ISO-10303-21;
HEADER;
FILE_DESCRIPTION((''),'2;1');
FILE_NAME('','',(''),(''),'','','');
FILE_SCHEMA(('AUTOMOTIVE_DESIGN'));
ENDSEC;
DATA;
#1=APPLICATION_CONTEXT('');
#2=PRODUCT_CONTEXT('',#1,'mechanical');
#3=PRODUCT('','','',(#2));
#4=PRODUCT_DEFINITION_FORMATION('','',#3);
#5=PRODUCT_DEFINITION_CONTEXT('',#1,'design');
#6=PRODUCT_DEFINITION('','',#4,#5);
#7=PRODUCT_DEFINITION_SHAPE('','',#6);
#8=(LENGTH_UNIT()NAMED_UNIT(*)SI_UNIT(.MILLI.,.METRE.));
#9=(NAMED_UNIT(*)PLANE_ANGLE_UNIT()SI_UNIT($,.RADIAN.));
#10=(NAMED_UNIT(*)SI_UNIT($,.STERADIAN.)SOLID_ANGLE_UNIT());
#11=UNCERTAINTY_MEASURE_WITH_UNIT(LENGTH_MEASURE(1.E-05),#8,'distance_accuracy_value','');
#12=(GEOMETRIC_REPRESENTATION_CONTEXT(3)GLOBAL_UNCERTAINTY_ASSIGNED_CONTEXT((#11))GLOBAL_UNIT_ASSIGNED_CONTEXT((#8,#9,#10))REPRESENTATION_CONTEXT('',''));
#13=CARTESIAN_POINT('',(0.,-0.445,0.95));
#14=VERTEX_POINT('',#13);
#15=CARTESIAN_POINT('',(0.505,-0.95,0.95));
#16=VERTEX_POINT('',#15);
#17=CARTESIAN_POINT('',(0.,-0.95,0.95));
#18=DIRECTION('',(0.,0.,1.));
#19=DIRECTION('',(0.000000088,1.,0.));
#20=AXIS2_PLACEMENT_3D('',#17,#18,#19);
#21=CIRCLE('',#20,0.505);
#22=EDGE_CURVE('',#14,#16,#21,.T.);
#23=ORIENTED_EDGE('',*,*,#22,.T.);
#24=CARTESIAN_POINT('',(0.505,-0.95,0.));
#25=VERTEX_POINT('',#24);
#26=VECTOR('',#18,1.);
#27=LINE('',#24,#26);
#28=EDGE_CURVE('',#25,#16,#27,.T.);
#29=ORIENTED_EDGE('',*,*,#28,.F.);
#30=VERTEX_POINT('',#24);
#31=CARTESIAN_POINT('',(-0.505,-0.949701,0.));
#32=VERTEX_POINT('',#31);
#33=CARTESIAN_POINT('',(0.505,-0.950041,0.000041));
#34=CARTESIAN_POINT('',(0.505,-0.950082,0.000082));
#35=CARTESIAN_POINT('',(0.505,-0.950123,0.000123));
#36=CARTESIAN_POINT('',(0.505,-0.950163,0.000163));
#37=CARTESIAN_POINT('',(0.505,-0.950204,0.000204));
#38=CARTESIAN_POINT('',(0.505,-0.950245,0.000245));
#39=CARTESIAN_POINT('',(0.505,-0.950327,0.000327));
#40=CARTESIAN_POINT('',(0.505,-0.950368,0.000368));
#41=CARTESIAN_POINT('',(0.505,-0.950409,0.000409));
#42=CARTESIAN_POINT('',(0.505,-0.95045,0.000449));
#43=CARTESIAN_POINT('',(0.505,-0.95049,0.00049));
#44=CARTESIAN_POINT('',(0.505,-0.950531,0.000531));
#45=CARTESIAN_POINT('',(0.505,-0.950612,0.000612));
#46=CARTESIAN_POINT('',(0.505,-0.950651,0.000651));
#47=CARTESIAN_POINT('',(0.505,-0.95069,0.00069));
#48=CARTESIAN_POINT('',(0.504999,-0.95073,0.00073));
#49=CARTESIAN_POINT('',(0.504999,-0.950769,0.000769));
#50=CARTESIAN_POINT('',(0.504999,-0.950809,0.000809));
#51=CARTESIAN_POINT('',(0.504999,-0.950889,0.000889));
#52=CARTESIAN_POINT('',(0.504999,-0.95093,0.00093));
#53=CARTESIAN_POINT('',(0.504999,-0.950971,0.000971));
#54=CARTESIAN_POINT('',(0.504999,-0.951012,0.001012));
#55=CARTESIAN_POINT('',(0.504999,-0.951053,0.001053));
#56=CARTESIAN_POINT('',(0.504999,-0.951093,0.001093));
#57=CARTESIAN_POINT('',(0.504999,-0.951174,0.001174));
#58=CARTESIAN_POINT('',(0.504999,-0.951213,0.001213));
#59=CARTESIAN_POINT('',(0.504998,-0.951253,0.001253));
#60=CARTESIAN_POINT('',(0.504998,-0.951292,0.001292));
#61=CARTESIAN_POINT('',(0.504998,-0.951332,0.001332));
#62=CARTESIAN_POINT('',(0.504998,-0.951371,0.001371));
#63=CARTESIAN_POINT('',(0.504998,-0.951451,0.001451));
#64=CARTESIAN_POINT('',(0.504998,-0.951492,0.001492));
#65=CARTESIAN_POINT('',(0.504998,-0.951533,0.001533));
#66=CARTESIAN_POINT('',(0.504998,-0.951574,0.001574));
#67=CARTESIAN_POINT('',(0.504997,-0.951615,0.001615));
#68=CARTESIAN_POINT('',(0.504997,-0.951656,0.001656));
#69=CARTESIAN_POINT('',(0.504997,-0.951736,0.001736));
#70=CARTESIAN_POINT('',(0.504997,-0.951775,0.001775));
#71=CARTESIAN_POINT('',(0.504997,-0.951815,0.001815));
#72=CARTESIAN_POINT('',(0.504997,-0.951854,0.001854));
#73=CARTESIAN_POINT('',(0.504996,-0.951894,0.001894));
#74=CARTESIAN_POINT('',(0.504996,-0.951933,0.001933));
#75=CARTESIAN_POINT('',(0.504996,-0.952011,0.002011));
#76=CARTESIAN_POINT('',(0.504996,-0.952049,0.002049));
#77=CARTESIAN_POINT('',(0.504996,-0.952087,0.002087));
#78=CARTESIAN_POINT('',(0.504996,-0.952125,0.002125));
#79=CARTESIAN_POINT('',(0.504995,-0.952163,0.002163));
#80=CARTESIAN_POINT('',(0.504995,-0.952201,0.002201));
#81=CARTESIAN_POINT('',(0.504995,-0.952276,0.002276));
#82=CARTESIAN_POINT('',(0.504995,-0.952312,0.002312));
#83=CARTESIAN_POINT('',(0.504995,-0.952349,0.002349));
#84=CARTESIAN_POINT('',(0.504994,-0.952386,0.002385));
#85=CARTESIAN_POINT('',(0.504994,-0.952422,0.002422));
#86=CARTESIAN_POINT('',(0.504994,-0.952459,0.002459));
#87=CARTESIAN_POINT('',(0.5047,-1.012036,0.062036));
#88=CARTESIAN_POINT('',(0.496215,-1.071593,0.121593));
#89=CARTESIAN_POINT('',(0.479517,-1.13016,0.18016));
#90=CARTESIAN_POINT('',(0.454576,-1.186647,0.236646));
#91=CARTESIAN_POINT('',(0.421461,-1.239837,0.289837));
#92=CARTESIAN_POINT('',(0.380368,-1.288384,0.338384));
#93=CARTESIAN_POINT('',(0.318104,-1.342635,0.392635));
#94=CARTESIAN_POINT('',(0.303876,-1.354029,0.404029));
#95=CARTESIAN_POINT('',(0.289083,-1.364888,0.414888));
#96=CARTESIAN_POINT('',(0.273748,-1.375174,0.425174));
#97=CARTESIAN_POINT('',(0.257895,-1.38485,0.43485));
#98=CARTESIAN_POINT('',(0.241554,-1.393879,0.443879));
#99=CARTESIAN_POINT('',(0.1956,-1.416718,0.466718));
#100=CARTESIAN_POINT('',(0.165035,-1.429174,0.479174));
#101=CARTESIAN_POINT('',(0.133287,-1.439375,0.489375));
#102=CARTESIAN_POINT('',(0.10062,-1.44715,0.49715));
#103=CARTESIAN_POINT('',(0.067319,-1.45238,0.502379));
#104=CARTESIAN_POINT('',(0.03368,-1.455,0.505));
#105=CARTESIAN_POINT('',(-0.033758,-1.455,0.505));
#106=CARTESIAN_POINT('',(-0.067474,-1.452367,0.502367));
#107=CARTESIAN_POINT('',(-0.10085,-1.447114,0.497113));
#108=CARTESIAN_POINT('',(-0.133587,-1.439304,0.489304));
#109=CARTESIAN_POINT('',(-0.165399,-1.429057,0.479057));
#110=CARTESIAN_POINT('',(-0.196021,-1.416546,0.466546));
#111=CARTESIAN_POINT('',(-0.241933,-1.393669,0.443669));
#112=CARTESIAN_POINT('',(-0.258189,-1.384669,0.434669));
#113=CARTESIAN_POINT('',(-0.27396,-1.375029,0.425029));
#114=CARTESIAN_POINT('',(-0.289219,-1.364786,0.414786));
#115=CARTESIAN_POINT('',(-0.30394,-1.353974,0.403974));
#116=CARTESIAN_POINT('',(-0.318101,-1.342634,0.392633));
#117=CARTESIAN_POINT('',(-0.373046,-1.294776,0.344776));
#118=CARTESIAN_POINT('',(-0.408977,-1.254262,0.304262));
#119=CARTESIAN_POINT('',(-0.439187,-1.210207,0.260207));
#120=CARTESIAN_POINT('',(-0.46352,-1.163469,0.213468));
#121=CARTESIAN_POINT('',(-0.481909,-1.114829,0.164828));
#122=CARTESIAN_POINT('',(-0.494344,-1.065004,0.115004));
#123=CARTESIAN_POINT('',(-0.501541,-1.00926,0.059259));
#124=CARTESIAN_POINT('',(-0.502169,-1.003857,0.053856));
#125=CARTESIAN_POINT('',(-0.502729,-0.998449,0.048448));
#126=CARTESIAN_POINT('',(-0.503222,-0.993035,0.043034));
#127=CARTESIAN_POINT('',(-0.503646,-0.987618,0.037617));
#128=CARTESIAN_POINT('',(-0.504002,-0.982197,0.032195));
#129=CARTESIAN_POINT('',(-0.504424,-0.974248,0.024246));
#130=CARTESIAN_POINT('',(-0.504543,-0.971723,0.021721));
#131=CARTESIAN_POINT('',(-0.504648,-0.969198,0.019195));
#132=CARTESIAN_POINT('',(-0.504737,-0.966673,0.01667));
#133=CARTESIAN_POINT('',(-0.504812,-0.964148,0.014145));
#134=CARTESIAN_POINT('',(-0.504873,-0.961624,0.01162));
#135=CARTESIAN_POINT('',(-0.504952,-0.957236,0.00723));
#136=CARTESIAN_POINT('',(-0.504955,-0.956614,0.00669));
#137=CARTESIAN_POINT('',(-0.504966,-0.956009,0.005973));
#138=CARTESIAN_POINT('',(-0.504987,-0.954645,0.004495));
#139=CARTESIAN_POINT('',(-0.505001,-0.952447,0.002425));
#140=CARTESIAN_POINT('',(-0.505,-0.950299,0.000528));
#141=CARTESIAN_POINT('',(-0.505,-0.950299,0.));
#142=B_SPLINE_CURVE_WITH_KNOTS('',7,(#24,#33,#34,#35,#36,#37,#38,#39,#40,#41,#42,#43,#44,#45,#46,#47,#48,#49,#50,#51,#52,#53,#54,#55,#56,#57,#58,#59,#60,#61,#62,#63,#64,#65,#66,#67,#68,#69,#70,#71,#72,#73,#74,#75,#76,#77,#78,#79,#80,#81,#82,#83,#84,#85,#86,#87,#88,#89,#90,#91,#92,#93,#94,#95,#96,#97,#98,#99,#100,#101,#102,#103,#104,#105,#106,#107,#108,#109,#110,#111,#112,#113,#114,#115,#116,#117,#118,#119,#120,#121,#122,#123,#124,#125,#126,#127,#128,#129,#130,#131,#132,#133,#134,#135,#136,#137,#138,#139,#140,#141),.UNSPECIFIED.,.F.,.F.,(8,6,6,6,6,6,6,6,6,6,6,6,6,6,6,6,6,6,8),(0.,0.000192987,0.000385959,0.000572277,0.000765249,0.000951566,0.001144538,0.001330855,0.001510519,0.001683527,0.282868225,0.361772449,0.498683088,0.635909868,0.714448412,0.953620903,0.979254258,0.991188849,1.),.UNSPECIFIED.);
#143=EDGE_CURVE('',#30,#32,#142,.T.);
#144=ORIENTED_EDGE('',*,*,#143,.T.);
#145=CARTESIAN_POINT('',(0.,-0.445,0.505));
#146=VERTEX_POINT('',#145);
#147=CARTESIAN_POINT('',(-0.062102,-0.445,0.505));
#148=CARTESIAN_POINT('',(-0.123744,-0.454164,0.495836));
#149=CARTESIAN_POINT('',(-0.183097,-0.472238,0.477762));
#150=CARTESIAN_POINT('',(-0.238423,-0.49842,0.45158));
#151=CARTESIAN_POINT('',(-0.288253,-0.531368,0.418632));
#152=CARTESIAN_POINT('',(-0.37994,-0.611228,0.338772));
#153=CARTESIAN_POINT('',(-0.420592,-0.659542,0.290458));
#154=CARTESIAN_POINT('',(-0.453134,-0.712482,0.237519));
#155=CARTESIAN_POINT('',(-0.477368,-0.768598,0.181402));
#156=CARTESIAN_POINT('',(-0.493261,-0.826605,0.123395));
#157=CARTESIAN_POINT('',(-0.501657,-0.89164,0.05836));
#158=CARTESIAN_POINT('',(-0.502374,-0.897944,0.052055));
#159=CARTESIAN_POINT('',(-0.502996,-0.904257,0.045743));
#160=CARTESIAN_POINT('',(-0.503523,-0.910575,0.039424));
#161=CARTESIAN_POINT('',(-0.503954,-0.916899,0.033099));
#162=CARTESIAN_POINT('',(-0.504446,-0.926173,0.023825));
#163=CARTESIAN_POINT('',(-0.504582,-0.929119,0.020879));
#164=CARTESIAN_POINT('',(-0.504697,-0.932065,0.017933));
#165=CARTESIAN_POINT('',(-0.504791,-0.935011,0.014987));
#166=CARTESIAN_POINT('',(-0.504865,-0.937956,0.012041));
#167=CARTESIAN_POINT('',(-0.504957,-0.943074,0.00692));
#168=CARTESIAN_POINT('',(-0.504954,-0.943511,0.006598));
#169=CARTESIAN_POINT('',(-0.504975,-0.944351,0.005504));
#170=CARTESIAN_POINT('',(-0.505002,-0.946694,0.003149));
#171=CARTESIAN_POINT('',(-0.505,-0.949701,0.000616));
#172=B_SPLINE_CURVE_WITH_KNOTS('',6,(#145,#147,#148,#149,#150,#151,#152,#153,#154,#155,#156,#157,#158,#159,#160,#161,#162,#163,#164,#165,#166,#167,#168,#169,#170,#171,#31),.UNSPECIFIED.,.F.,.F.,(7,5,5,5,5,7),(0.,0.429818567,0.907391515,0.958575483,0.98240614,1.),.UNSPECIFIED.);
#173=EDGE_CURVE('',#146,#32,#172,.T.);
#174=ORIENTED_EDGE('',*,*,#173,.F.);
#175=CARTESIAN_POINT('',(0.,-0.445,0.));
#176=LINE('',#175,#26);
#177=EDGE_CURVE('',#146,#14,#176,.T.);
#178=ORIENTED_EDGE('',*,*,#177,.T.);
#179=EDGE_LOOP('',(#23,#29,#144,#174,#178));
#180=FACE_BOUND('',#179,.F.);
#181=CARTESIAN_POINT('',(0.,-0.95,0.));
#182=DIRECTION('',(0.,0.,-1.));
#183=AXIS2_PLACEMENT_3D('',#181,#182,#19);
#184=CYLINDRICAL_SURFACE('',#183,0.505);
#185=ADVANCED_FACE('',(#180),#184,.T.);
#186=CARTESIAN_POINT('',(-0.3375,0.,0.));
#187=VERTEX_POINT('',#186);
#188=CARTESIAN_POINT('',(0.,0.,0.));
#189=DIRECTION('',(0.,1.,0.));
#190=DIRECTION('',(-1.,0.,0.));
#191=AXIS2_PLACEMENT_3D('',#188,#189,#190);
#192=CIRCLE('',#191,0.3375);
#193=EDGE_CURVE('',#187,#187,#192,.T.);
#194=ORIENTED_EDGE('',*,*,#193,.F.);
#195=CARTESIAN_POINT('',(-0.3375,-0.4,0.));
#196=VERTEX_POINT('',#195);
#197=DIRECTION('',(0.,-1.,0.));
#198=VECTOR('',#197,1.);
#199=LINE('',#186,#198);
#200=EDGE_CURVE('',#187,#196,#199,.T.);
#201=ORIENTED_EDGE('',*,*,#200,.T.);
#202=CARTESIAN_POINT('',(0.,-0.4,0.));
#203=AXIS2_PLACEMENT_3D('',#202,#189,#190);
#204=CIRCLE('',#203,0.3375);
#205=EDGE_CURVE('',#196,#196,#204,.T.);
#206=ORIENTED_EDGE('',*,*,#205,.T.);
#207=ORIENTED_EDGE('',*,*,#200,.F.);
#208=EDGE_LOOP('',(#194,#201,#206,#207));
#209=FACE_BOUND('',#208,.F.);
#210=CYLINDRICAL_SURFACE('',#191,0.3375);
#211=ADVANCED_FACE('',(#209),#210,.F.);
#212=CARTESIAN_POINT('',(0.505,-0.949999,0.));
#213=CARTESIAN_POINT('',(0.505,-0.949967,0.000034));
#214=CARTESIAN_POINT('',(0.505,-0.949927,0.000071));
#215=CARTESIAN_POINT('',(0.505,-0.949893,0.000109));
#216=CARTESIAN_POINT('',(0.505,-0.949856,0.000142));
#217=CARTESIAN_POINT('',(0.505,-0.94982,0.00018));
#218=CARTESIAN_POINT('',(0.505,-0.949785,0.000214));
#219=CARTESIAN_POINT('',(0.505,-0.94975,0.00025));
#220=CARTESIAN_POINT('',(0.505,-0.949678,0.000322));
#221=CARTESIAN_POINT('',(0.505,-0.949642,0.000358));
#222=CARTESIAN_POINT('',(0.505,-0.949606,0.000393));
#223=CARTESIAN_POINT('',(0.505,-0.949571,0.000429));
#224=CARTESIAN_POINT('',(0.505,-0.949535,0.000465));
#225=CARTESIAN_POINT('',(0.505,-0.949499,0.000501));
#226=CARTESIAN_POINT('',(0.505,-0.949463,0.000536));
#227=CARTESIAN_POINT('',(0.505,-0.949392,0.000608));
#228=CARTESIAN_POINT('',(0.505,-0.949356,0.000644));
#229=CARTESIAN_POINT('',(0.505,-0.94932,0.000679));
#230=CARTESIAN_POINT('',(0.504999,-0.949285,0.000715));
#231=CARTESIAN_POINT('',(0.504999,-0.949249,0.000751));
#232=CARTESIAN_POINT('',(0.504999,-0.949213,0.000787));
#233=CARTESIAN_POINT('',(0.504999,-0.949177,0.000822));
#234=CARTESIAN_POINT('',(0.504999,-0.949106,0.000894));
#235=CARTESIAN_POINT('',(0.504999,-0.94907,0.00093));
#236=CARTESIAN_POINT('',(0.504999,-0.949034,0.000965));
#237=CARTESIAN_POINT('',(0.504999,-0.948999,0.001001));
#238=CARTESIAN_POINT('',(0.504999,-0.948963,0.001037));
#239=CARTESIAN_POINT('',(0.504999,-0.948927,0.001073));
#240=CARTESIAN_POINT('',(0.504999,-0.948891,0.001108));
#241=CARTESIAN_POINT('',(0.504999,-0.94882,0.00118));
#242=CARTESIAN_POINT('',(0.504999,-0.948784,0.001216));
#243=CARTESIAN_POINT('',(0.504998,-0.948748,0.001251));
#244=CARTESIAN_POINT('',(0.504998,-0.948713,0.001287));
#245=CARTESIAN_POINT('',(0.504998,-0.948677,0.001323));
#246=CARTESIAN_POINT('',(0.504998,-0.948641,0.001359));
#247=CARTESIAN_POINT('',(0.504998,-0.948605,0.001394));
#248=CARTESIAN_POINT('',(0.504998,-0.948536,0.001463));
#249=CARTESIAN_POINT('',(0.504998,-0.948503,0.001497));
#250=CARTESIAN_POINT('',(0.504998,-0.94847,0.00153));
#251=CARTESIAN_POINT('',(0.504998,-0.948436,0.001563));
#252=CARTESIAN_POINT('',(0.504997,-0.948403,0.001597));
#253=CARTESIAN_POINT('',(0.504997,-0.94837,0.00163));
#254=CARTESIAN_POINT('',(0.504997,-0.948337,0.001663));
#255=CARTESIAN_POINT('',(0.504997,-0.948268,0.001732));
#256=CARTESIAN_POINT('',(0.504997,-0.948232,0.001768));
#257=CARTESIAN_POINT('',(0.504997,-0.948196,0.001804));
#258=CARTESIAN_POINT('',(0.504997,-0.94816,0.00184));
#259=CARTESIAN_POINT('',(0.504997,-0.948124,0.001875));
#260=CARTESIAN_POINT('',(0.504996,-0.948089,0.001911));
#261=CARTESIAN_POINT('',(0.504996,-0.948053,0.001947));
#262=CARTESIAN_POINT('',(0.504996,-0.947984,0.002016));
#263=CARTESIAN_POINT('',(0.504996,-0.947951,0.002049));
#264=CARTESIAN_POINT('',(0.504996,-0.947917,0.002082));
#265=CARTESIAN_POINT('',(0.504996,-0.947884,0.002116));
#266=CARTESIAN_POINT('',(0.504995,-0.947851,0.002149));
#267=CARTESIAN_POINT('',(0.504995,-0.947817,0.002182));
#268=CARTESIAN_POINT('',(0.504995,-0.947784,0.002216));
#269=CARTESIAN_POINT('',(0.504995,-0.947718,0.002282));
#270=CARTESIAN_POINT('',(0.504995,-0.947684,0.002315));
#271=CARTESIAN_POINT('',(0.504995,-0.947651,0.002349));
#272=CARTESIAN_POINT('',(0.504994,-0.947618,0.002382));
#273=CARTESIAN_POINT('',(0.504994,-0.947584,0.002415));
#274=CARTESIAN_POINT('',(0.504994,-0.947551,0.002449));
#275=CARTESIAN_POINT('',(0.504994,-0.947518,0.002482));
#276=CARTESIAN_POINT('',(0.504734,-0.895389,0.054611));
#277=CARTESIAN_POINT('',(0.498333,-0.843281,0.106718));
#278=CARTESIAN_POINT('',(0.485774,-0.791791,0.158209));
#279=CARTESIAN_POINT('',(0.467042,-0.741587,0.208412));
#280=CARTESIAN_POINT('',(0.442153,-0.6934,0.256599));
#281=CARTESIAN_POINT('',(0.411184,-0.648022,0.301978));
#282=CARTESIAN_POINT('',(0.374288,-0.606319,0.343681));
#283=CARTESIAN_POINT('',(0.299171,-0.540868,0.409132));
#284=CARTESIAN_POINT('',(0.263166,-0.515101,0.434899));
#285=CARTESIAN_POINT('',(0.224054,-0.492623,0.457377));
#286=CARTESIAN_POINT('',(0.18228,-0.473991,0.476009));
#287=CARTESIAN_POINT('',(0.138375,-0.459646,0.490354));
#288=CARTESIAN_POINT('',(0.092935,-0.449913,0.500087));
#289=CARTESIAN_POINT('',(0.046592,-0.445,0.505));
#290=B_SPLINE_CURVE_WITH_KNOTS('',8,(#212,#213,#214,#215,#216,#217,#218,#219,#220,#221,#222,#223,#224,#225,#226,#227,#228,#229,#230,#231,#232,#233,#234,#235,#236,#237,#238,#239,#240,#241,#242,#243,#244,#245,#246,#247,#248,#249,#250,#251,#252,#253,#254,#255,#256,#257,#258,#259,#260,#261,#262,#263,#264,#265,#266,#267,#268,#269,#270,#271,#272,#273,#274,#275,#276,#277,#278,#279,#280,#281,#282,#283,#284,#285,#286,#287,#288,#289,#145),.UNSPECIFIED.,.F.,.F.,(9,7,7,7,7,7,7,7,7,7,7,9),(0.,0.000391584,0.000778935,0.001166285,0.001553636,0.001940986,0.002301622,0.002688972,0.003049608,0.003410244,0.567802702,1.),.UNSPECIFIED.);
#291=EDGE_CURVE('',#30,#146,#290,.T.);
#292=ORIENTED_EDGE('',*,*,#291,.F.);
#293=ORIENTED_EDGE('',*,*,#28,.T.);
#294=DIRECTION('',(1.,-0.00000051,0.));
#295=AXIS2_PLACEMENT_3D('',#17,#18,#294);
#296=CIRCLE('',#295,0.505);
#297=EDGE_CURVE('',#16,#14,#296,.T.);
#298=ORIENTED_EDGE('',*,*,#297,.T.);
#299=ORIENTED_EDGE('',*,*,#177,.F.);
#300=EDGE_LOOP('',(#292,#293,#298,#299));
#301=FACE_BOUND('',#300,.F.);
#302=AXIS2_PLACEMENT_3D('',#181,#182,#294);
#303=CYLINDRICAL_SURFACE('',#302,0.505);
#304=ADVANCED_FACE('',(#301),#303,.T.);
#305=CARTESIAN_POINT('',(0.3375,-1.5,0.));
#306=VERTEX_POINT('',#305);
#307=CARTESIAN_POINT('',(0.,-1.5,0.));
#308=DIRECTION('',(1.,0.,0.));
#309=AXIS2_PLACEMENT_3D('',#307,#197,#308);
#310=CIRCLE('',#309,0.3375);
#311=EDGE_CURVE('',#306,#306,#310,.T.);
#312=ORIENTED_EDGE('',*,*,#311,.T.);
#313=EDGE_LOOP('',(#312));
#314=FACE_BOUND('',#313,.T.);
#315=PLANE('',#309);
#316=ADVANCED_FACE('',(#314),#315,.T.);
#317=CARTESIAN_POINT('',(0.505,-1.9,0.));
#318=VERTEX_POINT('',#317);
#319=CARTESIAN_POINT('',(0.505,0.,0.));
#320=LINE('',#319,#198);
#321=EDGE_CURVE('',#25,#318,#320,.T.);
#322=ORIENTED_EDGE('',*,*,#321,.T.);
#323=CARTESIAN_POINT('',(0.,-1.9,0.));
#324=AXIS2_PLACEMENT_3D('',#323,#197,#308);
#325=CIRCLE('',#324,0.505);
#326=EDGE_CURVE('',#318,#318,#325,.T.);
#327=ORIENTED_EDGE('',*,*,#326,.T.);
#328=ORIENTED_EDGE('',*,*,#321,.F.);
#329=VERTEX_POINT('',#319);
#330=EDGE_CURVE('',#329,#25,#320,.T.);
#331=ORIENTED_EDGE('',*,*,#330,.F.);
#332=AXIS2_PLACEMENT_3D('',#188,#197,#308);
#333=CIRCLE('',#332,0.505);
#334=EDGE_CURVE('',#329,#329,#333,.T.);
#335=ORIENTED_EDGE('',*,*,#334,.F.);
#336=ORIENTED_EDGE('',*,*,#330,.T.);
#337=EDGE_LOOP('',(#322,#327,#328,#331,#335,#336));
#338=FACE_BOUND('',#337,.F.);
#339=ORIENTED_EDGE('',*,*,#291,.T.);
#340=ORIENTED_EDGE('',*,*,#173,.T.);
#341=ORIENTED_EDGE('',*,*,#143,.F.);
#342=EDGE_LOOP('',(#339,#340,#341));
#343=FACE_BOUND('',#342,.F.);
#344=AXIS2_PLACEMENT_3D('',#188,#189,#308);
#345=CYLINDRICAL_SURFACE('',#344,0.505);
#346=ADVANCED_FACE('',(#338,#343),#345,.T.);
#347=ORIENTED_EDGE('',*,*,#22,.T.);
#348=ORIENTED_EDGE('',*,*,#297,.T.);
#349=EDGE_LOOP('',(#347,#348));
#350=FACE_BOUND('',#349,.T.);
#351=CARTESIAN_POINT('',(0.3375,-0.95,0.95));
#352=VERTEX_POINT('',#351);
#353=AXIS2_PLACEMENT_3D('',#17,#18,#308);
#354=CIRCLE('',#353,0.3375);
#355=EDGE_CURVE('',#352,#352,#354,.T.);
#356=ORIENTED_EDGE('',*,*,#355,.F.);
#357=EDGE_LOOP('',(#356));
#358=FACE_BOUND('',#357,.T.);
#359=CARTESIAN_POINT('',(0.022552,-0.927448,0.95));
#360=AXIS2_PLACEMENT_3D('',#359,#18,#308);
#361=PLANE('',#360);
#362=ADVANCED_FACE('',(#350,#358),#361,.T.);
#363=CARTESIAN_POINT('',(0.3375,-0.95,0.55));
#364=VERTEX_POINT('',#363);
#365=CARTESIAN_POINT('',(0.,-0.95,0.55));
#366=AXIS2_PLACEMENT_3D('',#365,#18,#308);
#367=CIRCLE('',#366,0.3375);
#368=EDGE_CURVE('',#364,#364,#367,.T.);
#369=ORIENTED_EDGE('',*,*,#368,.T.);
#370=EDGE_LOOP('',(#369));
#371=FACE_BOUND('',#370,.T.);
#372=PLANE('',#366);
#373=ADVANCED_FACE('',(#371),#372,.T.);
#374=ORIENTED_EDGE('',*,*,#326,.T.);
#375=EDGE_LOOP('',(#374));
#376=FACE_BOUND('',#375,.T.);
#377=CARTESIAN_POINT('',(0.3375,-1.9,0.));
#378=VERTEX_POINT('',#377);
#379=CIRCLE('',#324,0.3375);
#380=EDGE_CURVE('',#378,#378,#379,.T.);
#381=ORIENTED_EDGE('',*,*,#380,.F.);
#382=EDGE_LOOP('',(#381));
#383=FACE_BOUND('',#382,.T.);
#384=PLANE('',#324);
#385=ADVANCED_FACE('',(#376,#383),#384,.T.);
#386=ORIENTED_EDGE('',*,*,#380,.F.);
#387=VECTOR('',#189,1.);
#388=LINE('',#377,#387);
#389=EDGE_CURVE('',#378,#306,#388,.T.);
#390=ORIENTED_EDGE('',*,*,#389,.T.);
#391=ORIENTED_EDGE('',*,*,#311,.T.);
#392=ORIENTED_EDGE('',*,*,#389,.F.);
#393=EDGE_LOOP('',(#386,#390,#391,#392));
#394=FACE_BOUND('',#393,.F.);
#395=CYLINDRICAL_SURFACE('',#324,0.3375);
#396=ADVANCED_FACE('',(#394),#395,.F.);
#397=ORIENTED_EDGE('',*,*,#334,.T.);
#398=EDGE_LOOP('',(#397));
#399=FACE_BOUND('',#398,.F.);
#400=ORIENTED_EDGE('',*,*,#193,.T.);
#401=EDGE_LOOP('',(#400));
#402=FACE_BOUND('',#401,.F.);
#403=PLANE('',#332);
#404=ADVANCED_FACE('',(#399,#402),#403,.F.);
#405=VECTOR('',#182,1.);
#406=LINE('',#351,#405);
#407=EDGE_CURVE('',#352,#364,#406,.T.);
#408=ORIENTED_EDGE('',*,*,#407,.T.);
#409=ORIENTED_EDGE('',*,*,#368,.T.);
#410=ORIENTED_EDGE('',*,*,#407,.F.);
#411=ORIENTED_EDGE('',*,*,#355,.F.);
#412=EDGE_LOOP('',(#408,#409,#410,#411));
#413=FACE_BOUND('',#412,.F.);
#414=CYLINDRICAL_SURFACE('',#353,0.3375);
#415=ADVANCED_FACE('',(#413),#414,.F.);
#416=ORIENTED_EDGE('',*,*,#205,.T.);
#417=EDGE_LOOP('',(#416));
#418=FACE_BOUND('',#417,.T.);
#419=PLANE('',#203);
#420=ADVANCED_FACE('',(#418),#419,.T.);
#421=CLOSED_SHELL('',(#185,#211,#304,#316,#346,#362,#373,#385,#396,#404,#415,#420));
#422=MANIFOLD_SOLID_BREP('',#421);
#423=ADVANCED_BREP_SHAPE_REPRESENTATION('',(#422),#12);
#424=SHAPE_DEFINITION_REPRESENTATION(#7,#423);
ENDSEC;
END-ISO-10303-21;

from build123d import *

# Parameters (mm, degrees)
F0_R     = 0.505
F1_DEPTH = 1.9
F3_DEPTH = 0.95
F4_R     = 0.3375
F5_DEPTH = 0.4
F6_R     = 0.3375
F7_DEPTH = 0.4
F8_R     = 0.3375
F9_DEPTH = 0.4


with BuildPart() as f1:
    # F0 (on Front) → F1 (new body)
    with BuildSketch(Plane.XZ):
        Circle(F0_R)
    extrude(amount=F1_DEPTH)

    # F2 (on Top) → F3 (join)
    with BuildSketch(Plane.XY):
        with BuildLine():
            ThreePointArc((0, -0.445), (-0.357089, -1.307089), (0.505, -0.95))
            ThreePointArc((0.505, -0.95), (0.357089, -0.592911), (0, -0.445))
        make_face()
    extrude(amount=F3_DEPTH)

    # F4 (on face) → F5 (cut)
    with BuildSketch(Plane.XZ.offset(1.9)):
        Circle(F4_R)
    extrude(amount=-F5_DEPTH, mode=Mode.SUBTRACT)

    # F6 (on face) → F7 (cut)
    with BuildSketch(Plane.XY.offset(0.95)):
        with Locations((0, -0.95)):
            Circle(F6_R)
    extrude(amount=-F7_DEPTH, mode=Mode.SUBTRACT)

    # F8 (on face) → F9 (cut)
    with BuildSketch(Plane(origin=(0, 0, 0), x_dir=(-1, 0, 0), z_dir=(0, 1, 0))):
        Circle(F8_R)
    extrude(amount=-F9_DEPTH, mode=Mode.SUBTRACT)


solid = f1.part
